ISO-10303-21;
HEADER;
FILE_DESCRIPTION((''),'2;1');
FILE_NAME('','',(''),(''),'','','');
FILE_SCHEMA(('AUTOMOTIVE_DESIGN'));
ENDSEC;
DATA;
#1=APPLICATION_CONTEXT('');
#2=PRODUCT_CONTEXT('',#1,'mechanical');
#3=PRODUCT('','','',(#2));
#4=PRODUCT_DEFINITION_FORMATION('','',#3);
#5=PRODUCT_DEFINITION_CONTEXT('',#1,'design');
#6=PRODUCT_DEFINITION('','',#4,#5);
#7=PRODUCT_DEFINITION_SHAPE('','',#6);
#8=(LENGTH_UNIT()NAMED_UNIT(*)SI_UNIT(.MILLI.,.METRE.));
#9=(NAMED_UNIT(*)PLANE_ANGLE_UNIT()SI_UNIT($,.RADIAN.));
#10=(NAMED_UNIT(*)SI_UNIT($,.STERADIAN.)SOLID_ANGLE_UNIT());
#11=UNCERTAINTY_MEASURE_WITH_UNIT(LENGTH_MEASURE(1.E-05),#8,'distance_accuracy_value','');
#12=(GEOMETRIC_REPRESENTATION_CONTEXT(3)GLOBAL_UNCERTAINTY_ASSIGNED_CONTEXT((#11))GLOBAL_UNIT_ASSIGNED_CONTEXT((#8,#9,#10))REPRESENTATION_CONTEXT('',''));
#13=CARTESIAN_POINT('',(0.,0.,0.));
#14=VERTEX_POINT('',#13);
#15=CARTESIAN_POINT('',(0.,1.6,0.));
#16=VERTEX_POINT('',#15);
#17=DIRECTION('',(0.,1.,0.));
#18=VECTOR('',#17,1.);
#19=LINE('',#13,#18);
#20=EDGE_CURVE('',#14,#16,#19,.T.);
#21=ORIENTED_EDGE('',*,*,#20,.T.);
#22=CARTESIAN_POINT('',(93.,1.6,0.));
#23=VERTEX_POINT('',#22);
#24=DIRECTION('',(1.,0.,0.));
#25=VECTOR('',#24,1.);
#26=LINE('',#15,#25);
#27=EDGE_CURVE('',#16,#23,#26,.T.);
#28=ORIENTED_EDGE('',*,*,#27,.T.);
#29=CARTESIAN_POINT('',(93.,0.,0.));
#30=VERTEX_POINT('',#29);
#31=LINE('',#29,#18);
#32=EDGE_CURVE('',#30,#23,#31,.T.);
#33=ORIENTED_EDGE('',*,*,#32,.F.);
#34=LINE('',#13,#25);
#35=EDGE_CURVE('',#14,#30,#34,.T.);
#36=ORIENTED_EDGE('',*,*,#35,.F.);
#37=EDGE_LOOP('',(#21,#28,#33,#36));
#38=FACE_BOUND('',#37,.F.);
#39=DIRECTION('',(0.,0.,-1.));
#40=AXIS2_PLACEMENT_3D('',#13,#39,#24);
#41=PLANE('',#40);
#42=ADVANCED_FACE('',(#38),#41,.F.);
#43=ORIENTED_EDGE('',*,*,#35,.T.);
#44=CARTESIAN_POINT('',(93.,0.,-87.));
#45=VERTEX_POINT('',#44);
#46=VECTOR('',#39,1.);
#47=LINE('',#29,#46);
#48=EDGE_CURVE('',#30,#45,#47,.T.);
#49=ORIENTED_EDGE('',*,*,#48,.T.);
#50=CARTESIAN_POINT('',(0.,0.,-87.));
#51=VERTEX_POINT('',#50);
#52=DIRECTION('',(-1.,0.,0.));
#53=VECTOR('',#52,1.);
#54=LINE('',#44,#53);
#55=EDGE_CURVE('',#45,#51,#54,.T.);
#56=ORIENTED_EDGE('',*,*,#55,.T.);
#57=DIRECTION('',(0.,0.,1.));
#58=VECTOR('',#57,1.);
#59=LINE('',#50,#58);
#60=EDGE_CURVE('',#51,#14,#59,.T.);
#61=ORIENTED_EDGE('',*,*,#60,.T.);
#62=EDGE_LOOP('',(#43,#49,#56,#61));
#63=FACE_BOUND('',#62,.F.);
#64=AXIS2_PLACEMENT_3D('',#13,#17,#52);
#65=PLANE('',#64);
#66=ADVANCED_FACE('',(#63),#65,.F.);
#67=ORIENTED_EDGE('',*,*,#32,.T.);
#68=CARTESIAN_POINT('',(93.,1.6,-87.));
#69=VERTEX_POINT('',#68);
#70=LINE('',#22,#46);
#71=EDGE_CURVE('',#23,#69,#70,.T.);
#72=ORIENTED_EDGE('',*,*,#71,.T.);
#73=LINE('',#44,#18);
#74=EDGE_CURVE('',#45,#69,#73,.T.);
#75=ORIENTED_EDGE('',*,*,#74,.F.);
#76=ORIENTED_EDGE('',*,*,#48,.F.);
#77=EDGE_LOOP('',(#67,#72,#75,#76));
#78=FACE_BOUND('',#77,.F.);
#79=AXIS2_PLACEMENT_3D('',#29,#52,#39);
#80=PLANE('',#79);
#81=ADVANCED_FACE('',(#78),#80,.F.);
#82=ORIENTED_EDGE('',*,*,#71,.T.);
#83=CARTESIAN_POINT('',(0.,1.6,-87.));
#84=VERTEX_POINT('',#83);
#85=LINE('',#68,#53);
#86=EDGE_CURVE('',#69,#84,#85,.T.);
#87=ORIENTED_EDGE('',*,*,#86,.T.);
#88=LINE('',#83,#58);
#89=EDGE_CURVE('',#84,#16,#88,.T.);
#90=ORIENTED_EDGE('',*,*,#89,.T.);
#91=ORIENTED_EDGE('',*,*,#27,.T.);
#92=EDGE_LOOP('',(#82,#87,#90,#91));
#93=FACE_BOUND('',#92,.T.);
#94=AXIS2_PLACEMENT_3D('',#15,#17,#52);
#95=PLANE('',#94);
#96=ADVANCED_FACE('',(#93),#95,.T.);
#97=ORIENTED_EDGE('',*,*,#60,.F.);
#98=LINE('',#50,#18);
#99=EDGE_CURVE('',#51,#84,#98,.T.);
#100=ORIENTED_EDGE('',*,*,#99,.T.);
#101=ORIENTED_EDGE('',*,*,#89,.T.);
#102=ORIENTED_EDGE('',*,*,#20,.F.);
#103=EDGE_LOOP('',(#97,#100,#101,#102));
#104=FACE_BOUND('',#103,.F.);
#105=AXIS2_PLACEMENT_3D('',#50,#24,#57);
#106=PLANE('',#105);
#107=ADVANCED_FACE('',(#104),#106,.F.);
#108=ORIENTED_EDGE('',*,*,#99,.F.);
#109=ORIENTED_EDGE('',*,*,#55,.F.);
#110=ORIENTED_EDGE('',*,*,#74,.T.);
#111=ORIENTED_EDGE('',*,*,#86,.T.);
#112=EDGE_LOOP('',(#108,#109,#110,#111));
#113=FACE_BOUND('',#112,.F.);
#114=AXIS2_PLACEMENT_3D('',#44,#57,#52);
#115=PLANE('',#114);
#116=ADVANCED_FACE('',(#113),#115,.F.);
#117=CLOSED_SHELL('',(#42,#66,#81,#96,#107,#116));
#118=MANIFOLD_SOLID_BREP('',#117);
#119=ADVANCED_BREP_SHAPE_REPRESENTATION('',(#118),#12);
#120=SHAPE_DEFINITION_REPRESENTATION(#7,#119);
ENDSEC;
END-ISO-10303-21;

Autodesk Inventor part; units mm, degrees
ref_plane "YZ Plane" through (0, 0, 0) normal (1, 0, 0) x (0, 1, 0)
ref_plane "XZ Plane" through (0, 0, 0) normal (0, 1, 0) x (-1, 0, 0)
ref_plane "XY Plane" through (0, 0, 0) normal (0, 0, 1) x (1, 0, 0)
sketch "Sketch1" plane through (0, 0, 0) normal (0, 1, 0) x (-1, 0, 0)
  line L0 (0, 0) -> (-93, 0)
  line L1 (-93, 0) -> (-93, -87)
  line L2 (-93, -87) -> (0, -87)
  line L3 (0, -87) -> (0, 0)
  dimension "d0" = 93
  dimension "d1" = 87
extrude "Extrusion1" add sketch "Sketch1" along normal blind 1.6
properties part number "motherboard_pcb"
